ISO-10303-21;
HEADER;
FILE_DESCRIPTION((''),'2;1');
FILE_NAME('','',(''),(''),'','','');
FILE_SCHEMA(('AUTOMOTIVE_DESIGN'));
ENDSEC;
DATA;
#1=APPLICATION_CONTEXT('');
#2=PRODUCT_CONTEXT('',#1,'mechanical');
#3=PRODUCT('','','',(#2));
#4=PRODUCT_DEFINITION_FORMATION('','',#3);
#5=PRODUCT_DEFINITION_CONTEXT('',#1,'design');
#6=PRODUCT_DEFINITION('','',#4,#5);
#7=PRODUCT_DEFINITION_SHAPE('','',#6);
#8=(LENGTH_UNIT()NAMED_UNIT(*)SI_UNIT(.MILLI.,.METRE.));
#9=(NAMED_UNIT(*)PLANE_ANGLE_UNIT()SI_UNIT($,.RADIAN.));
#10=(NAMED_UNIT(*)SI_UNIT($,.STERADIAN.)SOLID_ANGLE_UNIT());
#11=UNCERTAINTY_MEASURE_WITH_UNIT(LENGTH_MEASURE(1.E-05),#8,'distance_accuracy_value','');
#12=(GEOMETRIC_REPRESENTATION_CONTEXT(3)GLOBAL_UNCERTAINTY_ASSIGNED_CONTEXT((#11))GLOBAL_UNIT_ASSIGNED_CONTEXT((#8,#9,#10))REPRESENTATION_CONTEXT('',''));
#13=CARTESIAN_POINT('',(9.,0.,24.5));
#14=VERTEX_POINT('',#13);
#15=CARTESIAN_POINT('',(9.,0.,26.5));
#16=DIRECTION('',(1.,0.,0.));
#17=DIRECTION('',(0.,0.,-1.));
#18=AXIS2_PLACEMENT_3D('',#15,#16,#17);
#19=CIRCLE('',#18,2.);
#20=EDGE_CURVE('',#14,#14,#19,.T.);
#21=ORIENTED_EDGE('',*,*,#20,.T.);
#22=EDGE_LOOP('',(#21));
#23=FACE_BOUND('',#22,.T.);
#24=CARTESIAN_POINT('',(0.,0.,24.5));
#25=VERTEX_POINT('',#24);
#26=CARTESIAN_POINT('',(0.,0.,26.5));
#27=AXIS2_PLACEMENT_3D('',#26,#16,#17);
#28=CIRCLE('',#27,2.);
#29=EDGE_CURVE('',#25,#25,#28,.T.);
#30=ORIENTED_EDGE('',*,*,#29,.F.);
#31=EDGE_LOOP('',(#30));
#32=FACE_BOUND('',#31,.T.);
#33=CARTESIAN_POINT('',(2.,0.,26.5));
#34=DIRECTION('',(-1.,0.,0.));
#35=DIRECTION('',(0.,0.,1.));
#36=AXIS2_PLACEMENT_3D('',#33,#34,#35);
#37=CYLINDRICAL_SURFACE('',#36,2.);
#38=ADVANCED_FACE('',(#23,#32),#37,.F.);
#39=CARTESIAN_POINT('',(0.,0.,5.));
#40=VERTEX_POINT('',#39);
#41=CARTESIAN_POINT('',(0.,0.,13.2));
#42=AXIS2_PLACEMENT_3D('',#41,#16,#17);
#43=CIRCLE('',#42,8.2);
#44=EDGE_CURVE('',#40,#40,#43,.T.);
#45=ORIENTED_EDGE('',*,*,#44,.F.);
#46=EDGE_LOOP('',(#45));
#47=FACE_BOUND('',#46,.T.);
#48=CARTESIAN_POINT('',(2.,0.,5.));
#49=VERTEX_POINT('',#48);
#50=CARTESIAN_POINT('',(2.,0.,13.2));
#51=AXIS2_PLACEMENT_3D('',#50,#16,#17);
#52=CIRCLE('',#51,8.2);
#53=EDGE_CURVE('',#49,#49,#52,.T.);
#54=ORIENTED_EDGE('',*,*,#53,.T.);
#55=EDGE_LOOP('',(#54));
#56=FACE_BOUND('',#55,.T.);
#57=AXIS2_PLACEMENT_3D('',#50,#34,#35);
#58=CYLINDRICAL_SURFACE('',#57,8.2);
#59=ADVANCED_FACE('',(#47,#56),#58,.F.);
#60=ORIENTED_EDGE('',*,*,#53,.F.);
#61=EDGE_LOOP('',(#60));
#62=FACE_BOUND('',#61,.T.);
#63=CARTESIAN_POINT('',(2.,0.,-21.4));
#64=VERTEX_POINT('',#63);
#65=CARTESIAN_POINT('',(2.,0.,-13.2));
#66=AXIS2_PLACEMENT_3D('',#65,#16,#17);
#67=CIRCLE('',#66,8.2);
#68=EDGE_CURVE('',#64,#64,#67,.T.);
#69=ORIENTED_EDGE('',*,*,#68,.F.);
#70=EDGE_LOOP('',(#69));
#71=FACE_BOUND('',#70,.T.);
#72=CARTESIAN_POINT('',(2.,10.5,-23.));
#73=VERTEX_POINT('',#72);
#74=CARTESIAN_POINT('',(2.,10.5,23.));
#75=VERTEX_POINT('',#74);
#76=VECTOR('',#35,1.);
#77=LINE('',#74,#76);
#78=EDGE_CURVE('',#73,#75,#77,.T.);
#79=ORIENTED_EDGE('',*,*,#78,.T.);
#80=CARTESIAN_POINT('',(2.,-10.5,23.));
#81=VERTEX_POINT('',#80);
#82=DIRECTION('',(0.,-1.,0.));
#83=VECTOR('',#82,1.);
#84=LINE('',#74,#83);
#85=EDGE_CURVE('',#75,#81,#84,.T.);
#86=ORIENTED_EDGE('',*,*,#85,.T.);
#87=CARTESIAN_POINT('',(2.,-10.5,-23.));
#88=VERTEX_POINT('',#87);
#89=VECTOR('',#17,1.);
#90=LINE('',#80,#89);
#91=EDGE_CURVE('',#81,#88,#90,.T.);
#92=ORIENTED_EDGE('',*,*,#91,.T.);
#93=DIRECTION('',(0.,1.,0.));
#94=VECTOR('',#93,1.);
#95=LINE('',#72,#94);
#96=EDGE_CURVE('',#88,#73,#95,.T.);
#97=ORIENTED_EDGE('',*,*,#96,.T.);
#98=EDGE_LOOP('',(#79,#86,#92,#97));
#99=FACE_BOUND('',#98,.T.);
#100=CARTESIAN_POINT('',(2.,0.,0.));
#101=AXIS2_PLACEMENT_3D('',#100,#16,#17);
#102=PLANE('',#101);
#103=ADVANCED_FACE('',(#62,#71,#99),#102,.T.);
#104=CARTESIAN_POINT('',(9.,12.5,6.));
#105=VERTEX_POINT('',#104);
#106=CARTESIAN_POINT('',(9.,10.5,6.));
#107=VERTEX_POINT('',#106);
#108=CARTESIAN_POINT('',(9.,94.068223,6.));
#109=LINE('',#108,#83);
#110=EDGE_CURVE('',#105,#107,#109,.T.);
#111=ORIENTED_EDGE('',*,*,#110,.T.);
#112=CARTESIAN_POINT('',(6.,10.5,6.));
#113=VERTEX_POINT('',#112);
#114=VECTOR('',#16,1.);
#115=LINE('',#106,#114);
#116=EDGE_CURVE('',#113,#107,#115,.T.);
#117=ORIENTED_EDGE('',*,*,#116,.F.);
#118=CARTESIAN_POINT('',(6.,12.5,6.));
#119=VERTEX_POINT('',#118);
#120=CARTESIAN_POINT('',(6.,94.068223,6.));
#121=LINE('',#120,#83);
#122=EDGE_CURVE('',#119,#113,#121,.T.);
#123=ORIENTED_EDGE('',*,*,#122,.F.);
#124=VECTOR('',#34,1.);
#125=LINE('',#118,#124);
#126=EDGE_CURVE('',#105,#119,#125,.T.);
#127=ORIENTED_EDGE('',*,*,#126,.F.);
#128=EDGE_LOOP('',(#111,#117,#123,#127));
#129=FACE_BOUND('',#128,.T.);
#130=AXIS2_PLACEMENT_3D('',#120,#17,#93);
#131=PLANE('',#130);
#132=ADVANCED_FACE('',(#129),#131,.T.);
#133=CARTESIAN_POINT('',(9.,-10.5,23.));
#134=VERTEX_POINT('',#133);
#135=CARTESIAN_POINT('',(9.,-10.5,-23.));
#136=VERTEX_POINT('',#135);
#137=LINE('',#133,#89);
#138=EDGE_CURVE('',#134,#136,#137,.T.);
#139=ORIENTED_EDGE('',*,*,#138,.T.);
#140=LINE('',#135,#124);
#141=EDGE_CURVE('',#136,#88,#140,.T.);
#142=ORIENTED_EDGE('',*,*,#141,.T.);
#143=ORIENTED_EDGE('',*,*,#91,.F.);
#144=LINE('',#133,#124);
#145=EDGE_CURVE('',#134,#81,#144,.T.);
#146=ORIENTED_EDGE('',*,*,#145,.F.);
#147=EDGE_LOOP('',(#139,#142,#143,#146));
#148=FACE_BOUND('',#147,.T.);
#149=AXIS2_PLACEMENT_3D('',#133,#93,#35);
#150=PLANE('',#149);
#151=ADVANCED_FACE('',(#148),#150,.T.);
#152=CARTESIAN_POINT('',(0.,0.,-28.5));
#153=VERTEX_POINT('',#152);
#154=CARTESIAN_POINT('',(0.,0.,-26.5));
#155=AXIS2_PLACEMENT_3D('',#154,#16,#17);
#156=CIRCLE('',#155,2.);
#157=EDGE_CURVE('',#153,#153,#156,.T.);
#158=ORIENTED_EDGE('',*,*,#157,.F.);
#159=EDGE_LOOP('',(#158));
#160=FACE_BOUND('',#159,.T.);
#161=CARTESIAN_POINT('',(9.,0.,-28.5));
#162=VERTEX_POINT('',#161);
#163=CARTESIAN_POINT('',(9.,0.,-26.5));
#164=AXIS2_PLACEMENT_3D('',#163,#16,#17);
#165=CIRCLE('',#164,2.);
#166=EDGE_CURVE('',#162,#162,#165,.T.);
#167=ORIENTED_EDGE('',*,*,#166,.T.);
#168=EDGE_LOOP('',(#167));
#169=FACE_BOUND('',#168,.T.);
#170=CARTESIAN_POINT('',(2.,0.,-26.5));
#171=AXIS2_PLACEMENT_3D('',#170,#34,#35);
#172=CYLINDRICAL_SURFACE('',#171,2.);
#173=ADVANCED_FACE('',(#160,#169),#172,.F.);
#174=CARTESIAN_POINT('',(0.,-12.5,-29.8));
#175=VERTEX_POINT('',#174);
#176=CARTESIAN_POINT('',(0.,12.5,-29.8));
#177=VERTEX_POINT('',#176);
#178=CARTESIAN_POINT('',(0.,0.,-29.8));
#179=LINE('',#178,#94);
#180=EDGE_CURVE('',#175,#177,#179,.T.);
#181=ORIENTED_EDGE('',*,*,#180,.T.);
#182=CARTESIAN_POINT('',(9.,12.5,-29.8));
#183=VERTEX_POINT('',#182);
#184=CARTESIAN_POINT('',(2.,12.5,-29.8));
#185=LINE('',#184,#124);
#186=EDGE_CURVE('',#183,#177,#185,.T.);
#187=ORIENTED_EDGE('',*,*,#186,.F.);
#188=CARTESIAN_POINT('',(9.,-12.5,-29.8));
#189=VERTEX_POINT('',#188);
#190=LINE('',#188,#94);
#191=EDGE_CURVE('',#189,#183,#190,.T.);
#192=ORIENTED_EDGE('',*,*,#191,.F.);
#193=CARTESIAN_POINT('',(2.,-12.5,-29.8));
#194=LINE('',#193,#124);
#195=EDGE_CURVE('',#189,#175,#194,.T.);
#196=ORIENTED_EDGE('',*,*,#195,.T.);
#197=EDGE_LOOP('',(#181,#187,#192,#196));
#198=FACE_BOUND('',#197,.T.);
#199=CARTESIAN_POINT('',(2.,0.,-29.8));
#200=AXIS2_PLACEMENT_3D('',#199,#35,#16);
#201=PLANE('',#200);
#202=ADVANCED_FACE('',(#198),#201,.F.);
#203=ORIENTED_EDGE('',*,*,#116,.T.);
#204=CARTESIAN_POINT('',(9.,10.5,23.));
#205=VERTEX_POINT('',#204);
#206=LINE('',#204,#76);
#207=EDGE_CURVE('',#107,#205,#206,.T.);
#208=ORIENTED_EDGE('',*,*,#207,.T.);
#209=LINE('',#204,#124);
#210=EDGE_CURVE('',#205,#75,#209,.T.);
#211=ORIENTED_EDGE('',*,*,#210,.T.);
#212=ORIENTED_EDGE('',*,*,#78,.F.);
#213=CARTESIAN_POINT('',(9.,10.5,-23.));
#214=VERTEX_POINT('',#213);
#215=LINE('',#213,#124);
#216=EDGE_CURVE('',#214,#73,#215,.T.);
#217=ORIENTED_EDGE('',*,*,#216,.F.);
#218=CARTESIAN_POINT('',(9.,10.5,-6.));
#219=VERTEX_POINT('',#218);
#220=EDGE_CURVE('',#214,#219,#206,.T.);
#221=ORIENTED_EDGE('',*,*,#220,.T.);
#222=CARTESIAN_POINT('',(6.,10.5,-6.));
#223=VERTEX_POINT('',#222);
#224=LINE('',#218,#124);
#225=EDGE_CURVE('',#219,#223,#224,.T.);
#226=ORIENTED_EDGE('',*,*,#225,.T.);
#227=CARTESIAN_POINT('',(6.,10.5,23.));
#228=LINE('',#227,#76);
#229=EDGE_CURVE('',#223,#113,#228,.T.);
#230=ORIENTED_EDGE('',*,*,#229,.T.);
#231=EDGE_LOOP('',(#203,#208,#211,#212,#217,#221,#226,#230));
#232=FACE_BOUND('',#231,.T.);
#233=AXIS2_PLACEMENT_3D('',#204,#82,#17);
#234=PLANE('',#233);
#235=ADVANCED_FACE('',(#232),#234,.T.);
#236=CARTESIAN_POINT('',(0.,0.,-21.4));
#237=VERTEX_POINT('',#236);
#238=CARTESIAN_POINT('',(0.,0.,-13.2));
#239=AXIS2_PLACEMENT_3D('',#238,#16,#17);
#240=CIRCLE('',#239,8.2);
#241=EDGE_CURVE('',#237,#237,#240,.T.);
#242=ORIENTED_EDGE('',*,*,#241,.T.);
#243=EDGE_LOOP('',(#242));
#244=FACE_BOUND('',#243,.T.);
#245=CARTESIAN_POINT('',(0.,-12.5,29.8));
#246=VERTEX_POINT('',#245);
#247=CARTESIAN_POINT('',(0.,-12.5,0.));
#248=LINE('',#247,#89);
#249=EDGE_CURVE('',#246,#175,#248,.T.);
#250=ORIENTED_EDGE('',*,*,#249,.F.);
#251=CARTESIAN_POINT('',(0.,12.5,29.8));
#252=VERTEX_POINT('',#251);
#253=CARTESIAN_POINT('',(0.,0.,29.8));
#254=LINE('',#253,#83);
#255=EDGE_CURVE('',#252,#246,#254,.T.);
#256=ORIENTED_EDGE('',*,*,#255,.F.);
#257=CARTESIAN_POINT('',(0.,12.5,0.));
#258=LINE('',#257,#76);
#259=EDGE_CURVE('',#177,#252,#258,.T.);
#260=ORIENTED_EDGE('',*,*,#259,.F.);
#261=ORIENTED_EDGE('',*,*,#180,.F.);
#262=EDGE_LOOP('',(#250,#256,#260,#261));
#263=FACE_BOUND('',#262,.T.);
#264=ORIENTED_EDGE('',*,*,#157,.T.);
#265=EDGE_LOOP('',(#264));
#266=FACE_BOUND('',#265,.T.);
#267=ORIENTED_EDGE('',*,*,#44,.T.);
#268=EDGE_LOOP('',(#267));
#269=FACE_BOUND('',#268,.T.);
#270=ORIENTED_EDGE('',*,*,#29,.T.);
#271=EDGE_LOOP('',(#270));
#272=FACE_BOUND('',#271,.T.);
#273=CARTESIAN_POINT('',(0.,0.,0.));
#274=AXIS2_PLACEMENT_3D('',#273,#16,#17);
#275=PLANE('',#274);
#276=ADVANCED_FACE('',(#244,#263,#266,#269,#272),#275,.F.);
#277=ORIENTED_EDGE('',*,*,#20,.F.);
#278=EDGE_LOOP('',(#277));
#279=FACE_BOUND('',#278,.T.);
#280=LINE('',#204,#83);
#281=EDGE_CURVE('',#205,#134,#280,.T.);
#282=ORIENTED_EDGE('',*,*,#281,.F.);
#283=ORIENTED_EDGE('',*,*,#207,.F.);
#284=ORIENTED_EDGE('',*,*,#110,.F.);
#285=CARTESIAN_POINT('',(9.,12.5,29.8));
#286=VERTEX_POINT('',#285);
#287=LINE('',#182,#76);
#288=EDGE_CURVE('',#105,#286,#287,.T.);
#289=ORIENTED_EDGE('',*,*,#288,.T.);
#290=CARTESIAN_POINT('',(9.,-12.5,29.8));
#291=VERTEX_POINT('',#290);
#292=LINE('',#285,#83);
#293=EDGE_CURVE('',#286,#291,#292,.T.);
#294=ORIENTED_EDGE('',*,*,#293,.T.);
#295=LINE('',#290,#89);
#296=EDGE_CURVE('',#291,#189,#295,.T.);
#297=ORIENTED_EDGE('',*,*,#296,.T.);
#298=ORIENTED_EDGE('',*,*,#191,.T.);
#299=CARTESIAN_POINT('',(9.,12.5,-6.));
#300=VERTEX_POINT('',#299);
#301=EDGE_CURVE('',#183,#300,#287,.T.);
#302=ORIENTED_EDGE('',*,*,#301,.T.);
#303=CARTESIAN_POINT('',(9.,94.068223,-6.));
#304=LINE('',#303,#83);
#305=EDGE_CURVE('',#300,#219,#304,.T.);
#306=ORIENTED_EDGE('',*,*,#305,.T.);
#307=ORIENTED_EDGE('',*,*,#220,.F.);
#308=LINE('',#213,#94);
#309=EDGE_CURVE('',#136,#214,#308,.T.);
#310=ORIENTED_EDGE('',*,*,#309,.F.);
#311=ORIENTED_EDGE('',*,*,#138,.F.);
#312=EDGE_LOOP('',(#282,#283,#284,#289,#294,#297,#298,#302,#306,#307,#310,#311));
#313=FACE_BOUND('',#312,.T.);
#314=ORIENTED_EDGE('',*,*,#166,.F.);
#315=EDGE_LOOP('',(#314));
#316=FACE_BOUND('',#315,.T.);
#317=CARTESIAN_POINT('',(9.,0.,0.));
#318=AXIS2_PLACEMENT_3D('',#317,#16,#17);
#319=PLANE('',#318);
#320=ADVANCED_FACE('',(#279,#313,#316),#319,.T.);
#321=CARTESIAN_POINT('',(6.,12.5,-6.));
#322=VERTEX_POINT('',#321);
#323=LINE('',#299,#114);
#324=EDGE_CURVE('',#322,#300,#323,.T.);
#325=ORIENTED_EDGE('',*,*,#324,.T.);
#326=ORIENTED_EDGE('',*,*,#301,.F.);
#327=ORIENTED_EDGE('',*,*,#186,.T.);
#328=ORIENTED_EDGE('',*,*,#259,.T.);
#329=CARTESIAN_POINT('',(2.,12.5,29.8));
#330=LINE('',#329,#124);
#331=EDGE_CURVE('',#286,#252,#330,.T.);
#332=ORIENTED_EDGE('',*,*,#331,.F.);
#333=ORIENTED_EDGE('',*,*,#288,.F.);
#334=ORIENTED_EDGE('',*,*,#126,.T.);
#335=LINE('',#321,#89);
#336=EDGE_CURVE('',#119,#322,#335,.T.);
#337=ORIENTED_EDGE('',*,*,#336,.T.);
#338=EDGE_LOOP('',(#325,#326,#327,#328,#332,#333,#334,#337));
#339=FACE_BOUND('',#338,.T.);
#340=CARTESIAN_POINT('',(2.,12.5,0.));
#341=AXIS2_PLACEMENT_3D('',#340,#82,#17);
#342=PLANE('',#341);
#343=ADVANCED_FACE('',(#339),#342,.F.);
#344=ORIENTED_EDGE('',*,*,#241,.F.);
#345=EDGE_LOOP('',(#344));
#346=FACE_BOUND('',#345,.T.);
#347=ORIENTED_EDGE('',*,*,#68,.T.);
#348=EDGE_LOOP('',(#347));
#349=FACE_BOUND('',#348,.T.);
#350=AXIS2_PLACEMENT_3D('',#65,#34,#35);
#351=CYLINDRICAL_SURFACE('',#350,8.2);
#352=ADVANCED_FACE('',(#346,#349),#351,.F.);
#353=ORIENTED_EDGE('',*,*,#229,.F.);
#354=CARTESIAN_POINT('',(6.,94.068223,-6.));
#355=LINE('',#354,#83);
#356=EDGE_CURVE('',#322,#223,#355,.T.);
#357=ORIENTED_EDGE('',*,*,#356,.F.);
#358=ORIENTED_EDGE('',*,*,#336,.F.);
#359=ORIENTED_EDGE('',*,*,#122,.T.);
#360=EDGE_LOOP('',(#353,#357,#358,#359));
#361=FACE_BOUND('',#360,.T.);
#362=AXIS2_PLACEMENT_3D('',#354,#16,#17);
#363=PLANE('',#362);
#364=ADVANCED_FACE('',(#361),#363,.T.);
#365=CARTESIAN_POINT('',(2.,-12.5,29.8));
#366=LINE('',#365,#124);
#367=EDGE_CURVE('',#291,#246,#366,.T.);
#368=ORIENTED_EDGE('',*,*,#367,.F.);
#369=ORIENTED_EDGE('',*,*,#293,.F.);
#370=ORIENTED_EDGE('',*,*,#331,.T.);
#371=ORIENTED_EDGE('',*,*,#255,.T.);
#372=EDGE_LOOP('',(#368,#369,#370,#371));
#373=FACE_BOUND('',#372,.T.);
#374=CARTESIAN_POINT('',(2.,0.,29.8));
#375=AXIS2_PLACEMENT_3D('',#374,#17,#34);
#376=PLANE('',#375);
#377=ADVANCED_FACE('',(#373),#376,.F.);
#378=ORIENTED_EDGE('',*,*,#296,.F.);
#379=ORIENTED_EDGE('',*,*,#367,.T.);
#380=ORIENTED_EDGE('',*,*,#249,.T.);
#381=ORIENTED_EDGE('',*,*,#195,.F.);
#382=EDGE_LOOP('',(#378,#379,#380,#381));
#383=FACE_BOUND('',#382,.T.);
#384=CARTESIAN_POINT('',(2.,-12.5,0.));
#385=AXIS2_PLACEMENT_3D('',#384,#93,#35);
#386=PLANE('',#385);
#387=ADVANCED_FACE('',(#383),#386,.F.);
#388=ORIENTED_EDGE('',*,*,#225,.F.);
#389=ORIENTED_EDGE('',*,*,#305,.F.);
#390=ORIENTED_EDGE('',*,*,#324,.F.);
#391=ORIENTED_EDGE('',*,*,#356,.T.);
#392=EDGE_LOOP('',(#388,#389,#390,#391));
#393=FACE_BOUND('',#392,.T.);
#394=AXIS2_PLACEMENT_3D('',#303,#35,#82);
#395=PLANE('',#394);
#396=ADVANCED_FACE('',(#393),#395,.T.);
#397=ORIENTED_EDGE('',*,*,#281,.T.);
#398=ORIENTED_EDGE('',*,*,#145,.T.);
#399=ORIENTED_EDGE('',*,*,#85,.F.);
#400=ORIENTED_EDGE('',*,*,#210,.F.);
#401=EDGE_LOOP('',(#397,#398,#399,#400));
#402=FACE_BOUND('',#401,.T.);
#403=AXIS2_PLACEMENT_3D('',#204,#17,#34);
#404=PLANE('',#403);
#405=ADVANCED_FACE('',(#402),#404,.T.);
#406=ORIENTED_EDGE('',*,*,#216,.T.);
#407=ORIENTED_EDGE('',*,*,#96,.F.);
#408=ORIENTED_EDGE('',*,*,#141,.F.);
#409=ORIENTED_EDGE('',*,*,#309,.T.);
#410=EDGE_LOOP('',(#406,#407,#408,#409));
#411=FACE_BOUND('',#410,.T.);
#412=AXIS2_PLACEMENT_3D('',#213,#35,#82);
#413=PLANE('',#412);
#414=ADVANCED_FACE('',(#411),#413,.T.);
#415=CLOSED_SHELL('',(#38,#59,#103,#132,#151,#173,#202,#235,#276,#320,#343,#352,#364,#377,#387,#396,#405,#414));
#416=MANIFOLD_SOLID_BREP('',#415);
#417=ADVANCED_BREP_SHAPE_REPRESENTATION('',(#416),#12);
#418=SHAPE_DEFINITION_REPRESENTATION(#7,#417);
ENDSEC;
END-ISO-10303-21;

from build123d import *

# Parameters (mm, degrees)
SKETCH1_R               = 2
SKETCH1_R_2             = 8.2
BOSS_EXTRUDE1_DEPTH     = 2
SKETCH3_W               = 59.6
SKETCH3_H               = 25
SKETCH3_R               = 2
SKETCH3_W_2             = 46
SKETCH3_H_2             = 21
BOSS_EXTRUDE3_DEPTH     = 7
CUT_EXTRUDE1_DEPTH      = 40.925430492
CUT_EXTRUDE1_DEPTH_BACK = 3


with BuildPart() as part:
    # Sketch1 → Boss-Extrude1 (new body)
    with BuildSketch(Plane(origin=(0, 0, 0), x_dir=(0, 0, -1), z_dir=(1, 0, 0))):
        Polygon((25, 12.5), (-25, 12.5), (-29.8, 12.5), (-29.8, -12.5), (-25, -12.5), (25, -12.5), (29.8, -12.5), (29.8, 12.5), align=None)
        with Locations((-26.5, 0)):
            Circle(SKETCH1_R, mode=Mode.SUBTRACT)
        with Locations((-13.2, 0)):
            Circle(SKETCH1_R_2, mode=Mode.SUBTRACT)
        with Locations((13.2, 0)):
            Circle(SKETCH1_R_2, mode=Mode.SUBTRACT)
        with Locations((26.5, 0)):
            Circle(SKETCH1_R, mode=Mode.SUBTRACT)
    extrude(amount=BOSS_EXTRUDE1_DEPTH)

    # Sketch3 → Boss-Extrude3 (add)
    with BuildSketch(Plane(origin=(2, 0, 0), x_dir=(0, 0, -1), z_dir=(1, 0, 0))):
        Rectangle(SKETCH3_W, SKETCH3_H)
        with Locations((-26.5, 0)):
            Circle(SKETCH3_R, mode=Mode.SUBTRACT)
        with Locations((26.5, 0)):
            Circle(SKETCH3_R, mode=Mode.SUBTRACT)
        Rectangle(SKETCH3_W_2, SKETCH3_H_2, mode=Mode.SUBTRACT)
    extrude(amount=BOSS_EXTRUDE3_DEPTH)

    # Sketch5 → Cut-Extrude1 (cut, two sides: drawn at the far end of the back side and taken through both)
    with BuildSketch(Plane(origin=(0, 12.5, 0), x_dir=(1, 0, 0), z_dir=(0, 1, 0)).offset(-CUT_EXTRUDE1_DEPTH_BACK)):
        Polygon((92.827908002, 6), (9, 6), (6, 6), (6, -6), (9, -6), (92.827908002, -6), (260.483724007, -6), (260.483724007, 6), align=None)
    extrude(amount=CUT_EXTRUDE1_DEPTH + CUT_EXTRUDE1_DEPTH_BACK, mode=Mode.SUBTRACT)


solid = part.part
